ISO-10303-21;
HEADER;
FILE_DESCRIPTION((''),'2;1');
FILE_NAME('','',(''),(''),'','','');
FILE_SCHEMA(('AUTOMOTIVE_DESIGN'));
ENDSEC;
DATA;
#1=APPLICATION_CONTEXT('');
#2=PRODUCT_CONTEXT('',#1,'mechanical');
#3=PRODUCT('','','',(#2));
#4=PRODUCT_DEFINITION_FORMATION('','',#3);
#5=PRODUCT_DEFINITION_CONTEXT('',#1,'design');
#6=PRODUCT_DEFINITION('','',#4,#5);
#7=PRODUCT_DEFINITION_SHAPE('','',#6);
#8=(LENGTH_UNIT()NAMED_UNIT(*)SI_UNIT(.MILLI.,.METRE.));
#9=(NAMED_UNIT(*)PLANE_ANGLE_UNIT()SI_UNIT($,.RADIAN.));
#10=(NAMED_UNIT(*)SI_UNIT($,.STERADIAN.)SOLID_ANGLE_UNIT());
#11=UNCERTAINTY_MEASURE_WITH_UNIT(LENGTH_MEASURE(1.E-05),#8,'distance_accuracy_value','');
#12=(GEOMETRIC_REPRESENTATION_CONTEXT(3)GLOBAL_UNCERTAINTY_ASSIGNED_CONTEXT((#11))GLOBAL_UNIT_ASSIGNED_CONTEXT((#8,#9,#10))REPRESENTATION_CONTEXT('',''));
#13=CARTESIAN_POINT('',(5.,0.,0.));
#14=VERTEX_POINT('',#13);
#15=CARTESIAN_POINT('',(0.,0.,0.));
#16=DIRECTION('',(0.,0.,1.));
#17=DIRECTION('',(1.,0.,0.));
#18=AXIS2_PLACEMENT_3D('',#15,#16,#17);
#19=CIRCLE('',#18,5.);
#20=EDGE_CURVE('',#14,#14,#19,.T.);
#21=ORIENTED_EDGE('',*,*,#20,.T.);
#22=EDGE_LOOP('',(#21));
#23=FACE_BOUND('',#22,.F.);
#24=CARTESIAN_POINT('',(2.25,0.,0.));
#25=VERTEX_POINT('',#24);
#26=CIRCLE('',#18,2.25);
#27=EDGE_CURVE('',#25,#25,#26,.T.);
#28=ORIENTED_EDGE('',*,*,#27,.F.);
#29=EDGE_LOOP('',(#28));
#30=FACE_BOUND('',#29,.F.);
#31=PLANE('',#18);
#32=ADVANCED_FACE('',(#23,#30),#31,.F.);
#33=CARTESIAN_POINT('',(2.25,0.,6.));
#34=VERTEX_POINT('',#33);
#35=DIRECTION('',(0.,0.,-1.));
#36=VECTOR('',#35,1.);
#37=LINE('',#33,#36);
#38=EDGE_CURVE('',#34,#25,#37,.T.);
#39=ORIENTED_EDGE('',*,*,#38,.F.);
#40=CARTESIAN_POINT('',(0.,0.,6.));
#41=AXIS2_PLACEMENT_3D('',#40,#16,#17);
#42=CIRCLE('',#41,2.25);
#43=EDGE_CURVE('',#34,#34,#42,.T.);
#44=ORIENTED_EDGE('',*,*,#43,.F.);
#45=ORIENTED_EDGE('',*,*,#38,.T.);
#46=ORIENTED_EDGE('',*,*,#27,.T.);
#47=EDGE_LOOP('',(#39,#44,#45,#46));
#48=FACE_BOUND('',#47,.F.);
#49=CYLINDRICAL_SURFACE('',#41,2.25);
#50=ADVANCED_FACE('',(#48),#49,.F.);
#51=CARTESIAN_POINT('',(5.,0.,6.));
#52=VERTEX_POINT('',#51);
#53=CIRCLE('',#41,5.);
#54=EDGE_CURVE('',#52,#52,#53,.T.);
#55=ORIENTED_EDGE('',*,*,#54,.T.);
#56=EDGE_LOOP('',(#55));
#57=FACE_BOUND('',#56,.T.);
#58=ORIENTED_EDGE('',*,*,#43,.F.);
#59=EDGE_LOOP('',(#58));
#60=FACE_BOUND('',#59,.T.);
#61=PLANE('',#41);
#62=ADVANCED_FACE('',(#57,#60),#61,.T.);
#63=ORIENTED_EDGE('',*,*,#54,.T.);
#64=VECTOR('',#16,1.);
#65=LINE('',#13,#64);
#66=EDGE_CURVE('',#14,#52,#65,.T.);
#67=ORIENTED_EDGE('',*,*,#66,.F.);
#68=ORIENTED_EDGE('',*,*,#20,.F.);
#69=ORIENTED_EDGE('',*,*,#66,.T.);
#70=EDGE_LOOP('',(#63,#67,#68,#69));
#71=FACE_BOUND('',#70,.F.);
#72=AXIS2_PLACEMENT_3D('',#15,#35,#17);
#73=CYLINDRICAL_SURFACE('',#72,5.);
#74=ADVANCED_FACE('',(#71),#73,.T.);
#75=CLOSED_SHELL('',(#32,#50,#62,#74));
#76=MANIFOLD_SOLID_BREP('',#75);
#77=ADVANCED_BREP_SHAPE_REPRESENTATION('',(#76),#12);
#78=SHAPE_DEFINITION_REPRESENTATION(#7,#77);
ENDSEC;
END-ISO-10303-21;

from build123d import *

# Parameters (mm, degrees)
SKETCH_R     = 5
PAD_DEPTH    = 6
SKETCH001_R  = 2.25
POCKET_DEPTH = 6.001


with BuildPart() as part:
    # Sketch → Pad (new body)
    with BuildSketch(Plane.XY):
        Circle(SKETCH_R)
    extrude(amount=PAD_DEPTH)

    # Sketch001 → Pocket (cut, through all)
    with BuildSketch(Plane.XY.offset(6)):
        Circle(SKETCH001_R)
    extrude(amount=-POCKET_DEPTH, mode=Mode.SUBTRACT)


solid = part.part
